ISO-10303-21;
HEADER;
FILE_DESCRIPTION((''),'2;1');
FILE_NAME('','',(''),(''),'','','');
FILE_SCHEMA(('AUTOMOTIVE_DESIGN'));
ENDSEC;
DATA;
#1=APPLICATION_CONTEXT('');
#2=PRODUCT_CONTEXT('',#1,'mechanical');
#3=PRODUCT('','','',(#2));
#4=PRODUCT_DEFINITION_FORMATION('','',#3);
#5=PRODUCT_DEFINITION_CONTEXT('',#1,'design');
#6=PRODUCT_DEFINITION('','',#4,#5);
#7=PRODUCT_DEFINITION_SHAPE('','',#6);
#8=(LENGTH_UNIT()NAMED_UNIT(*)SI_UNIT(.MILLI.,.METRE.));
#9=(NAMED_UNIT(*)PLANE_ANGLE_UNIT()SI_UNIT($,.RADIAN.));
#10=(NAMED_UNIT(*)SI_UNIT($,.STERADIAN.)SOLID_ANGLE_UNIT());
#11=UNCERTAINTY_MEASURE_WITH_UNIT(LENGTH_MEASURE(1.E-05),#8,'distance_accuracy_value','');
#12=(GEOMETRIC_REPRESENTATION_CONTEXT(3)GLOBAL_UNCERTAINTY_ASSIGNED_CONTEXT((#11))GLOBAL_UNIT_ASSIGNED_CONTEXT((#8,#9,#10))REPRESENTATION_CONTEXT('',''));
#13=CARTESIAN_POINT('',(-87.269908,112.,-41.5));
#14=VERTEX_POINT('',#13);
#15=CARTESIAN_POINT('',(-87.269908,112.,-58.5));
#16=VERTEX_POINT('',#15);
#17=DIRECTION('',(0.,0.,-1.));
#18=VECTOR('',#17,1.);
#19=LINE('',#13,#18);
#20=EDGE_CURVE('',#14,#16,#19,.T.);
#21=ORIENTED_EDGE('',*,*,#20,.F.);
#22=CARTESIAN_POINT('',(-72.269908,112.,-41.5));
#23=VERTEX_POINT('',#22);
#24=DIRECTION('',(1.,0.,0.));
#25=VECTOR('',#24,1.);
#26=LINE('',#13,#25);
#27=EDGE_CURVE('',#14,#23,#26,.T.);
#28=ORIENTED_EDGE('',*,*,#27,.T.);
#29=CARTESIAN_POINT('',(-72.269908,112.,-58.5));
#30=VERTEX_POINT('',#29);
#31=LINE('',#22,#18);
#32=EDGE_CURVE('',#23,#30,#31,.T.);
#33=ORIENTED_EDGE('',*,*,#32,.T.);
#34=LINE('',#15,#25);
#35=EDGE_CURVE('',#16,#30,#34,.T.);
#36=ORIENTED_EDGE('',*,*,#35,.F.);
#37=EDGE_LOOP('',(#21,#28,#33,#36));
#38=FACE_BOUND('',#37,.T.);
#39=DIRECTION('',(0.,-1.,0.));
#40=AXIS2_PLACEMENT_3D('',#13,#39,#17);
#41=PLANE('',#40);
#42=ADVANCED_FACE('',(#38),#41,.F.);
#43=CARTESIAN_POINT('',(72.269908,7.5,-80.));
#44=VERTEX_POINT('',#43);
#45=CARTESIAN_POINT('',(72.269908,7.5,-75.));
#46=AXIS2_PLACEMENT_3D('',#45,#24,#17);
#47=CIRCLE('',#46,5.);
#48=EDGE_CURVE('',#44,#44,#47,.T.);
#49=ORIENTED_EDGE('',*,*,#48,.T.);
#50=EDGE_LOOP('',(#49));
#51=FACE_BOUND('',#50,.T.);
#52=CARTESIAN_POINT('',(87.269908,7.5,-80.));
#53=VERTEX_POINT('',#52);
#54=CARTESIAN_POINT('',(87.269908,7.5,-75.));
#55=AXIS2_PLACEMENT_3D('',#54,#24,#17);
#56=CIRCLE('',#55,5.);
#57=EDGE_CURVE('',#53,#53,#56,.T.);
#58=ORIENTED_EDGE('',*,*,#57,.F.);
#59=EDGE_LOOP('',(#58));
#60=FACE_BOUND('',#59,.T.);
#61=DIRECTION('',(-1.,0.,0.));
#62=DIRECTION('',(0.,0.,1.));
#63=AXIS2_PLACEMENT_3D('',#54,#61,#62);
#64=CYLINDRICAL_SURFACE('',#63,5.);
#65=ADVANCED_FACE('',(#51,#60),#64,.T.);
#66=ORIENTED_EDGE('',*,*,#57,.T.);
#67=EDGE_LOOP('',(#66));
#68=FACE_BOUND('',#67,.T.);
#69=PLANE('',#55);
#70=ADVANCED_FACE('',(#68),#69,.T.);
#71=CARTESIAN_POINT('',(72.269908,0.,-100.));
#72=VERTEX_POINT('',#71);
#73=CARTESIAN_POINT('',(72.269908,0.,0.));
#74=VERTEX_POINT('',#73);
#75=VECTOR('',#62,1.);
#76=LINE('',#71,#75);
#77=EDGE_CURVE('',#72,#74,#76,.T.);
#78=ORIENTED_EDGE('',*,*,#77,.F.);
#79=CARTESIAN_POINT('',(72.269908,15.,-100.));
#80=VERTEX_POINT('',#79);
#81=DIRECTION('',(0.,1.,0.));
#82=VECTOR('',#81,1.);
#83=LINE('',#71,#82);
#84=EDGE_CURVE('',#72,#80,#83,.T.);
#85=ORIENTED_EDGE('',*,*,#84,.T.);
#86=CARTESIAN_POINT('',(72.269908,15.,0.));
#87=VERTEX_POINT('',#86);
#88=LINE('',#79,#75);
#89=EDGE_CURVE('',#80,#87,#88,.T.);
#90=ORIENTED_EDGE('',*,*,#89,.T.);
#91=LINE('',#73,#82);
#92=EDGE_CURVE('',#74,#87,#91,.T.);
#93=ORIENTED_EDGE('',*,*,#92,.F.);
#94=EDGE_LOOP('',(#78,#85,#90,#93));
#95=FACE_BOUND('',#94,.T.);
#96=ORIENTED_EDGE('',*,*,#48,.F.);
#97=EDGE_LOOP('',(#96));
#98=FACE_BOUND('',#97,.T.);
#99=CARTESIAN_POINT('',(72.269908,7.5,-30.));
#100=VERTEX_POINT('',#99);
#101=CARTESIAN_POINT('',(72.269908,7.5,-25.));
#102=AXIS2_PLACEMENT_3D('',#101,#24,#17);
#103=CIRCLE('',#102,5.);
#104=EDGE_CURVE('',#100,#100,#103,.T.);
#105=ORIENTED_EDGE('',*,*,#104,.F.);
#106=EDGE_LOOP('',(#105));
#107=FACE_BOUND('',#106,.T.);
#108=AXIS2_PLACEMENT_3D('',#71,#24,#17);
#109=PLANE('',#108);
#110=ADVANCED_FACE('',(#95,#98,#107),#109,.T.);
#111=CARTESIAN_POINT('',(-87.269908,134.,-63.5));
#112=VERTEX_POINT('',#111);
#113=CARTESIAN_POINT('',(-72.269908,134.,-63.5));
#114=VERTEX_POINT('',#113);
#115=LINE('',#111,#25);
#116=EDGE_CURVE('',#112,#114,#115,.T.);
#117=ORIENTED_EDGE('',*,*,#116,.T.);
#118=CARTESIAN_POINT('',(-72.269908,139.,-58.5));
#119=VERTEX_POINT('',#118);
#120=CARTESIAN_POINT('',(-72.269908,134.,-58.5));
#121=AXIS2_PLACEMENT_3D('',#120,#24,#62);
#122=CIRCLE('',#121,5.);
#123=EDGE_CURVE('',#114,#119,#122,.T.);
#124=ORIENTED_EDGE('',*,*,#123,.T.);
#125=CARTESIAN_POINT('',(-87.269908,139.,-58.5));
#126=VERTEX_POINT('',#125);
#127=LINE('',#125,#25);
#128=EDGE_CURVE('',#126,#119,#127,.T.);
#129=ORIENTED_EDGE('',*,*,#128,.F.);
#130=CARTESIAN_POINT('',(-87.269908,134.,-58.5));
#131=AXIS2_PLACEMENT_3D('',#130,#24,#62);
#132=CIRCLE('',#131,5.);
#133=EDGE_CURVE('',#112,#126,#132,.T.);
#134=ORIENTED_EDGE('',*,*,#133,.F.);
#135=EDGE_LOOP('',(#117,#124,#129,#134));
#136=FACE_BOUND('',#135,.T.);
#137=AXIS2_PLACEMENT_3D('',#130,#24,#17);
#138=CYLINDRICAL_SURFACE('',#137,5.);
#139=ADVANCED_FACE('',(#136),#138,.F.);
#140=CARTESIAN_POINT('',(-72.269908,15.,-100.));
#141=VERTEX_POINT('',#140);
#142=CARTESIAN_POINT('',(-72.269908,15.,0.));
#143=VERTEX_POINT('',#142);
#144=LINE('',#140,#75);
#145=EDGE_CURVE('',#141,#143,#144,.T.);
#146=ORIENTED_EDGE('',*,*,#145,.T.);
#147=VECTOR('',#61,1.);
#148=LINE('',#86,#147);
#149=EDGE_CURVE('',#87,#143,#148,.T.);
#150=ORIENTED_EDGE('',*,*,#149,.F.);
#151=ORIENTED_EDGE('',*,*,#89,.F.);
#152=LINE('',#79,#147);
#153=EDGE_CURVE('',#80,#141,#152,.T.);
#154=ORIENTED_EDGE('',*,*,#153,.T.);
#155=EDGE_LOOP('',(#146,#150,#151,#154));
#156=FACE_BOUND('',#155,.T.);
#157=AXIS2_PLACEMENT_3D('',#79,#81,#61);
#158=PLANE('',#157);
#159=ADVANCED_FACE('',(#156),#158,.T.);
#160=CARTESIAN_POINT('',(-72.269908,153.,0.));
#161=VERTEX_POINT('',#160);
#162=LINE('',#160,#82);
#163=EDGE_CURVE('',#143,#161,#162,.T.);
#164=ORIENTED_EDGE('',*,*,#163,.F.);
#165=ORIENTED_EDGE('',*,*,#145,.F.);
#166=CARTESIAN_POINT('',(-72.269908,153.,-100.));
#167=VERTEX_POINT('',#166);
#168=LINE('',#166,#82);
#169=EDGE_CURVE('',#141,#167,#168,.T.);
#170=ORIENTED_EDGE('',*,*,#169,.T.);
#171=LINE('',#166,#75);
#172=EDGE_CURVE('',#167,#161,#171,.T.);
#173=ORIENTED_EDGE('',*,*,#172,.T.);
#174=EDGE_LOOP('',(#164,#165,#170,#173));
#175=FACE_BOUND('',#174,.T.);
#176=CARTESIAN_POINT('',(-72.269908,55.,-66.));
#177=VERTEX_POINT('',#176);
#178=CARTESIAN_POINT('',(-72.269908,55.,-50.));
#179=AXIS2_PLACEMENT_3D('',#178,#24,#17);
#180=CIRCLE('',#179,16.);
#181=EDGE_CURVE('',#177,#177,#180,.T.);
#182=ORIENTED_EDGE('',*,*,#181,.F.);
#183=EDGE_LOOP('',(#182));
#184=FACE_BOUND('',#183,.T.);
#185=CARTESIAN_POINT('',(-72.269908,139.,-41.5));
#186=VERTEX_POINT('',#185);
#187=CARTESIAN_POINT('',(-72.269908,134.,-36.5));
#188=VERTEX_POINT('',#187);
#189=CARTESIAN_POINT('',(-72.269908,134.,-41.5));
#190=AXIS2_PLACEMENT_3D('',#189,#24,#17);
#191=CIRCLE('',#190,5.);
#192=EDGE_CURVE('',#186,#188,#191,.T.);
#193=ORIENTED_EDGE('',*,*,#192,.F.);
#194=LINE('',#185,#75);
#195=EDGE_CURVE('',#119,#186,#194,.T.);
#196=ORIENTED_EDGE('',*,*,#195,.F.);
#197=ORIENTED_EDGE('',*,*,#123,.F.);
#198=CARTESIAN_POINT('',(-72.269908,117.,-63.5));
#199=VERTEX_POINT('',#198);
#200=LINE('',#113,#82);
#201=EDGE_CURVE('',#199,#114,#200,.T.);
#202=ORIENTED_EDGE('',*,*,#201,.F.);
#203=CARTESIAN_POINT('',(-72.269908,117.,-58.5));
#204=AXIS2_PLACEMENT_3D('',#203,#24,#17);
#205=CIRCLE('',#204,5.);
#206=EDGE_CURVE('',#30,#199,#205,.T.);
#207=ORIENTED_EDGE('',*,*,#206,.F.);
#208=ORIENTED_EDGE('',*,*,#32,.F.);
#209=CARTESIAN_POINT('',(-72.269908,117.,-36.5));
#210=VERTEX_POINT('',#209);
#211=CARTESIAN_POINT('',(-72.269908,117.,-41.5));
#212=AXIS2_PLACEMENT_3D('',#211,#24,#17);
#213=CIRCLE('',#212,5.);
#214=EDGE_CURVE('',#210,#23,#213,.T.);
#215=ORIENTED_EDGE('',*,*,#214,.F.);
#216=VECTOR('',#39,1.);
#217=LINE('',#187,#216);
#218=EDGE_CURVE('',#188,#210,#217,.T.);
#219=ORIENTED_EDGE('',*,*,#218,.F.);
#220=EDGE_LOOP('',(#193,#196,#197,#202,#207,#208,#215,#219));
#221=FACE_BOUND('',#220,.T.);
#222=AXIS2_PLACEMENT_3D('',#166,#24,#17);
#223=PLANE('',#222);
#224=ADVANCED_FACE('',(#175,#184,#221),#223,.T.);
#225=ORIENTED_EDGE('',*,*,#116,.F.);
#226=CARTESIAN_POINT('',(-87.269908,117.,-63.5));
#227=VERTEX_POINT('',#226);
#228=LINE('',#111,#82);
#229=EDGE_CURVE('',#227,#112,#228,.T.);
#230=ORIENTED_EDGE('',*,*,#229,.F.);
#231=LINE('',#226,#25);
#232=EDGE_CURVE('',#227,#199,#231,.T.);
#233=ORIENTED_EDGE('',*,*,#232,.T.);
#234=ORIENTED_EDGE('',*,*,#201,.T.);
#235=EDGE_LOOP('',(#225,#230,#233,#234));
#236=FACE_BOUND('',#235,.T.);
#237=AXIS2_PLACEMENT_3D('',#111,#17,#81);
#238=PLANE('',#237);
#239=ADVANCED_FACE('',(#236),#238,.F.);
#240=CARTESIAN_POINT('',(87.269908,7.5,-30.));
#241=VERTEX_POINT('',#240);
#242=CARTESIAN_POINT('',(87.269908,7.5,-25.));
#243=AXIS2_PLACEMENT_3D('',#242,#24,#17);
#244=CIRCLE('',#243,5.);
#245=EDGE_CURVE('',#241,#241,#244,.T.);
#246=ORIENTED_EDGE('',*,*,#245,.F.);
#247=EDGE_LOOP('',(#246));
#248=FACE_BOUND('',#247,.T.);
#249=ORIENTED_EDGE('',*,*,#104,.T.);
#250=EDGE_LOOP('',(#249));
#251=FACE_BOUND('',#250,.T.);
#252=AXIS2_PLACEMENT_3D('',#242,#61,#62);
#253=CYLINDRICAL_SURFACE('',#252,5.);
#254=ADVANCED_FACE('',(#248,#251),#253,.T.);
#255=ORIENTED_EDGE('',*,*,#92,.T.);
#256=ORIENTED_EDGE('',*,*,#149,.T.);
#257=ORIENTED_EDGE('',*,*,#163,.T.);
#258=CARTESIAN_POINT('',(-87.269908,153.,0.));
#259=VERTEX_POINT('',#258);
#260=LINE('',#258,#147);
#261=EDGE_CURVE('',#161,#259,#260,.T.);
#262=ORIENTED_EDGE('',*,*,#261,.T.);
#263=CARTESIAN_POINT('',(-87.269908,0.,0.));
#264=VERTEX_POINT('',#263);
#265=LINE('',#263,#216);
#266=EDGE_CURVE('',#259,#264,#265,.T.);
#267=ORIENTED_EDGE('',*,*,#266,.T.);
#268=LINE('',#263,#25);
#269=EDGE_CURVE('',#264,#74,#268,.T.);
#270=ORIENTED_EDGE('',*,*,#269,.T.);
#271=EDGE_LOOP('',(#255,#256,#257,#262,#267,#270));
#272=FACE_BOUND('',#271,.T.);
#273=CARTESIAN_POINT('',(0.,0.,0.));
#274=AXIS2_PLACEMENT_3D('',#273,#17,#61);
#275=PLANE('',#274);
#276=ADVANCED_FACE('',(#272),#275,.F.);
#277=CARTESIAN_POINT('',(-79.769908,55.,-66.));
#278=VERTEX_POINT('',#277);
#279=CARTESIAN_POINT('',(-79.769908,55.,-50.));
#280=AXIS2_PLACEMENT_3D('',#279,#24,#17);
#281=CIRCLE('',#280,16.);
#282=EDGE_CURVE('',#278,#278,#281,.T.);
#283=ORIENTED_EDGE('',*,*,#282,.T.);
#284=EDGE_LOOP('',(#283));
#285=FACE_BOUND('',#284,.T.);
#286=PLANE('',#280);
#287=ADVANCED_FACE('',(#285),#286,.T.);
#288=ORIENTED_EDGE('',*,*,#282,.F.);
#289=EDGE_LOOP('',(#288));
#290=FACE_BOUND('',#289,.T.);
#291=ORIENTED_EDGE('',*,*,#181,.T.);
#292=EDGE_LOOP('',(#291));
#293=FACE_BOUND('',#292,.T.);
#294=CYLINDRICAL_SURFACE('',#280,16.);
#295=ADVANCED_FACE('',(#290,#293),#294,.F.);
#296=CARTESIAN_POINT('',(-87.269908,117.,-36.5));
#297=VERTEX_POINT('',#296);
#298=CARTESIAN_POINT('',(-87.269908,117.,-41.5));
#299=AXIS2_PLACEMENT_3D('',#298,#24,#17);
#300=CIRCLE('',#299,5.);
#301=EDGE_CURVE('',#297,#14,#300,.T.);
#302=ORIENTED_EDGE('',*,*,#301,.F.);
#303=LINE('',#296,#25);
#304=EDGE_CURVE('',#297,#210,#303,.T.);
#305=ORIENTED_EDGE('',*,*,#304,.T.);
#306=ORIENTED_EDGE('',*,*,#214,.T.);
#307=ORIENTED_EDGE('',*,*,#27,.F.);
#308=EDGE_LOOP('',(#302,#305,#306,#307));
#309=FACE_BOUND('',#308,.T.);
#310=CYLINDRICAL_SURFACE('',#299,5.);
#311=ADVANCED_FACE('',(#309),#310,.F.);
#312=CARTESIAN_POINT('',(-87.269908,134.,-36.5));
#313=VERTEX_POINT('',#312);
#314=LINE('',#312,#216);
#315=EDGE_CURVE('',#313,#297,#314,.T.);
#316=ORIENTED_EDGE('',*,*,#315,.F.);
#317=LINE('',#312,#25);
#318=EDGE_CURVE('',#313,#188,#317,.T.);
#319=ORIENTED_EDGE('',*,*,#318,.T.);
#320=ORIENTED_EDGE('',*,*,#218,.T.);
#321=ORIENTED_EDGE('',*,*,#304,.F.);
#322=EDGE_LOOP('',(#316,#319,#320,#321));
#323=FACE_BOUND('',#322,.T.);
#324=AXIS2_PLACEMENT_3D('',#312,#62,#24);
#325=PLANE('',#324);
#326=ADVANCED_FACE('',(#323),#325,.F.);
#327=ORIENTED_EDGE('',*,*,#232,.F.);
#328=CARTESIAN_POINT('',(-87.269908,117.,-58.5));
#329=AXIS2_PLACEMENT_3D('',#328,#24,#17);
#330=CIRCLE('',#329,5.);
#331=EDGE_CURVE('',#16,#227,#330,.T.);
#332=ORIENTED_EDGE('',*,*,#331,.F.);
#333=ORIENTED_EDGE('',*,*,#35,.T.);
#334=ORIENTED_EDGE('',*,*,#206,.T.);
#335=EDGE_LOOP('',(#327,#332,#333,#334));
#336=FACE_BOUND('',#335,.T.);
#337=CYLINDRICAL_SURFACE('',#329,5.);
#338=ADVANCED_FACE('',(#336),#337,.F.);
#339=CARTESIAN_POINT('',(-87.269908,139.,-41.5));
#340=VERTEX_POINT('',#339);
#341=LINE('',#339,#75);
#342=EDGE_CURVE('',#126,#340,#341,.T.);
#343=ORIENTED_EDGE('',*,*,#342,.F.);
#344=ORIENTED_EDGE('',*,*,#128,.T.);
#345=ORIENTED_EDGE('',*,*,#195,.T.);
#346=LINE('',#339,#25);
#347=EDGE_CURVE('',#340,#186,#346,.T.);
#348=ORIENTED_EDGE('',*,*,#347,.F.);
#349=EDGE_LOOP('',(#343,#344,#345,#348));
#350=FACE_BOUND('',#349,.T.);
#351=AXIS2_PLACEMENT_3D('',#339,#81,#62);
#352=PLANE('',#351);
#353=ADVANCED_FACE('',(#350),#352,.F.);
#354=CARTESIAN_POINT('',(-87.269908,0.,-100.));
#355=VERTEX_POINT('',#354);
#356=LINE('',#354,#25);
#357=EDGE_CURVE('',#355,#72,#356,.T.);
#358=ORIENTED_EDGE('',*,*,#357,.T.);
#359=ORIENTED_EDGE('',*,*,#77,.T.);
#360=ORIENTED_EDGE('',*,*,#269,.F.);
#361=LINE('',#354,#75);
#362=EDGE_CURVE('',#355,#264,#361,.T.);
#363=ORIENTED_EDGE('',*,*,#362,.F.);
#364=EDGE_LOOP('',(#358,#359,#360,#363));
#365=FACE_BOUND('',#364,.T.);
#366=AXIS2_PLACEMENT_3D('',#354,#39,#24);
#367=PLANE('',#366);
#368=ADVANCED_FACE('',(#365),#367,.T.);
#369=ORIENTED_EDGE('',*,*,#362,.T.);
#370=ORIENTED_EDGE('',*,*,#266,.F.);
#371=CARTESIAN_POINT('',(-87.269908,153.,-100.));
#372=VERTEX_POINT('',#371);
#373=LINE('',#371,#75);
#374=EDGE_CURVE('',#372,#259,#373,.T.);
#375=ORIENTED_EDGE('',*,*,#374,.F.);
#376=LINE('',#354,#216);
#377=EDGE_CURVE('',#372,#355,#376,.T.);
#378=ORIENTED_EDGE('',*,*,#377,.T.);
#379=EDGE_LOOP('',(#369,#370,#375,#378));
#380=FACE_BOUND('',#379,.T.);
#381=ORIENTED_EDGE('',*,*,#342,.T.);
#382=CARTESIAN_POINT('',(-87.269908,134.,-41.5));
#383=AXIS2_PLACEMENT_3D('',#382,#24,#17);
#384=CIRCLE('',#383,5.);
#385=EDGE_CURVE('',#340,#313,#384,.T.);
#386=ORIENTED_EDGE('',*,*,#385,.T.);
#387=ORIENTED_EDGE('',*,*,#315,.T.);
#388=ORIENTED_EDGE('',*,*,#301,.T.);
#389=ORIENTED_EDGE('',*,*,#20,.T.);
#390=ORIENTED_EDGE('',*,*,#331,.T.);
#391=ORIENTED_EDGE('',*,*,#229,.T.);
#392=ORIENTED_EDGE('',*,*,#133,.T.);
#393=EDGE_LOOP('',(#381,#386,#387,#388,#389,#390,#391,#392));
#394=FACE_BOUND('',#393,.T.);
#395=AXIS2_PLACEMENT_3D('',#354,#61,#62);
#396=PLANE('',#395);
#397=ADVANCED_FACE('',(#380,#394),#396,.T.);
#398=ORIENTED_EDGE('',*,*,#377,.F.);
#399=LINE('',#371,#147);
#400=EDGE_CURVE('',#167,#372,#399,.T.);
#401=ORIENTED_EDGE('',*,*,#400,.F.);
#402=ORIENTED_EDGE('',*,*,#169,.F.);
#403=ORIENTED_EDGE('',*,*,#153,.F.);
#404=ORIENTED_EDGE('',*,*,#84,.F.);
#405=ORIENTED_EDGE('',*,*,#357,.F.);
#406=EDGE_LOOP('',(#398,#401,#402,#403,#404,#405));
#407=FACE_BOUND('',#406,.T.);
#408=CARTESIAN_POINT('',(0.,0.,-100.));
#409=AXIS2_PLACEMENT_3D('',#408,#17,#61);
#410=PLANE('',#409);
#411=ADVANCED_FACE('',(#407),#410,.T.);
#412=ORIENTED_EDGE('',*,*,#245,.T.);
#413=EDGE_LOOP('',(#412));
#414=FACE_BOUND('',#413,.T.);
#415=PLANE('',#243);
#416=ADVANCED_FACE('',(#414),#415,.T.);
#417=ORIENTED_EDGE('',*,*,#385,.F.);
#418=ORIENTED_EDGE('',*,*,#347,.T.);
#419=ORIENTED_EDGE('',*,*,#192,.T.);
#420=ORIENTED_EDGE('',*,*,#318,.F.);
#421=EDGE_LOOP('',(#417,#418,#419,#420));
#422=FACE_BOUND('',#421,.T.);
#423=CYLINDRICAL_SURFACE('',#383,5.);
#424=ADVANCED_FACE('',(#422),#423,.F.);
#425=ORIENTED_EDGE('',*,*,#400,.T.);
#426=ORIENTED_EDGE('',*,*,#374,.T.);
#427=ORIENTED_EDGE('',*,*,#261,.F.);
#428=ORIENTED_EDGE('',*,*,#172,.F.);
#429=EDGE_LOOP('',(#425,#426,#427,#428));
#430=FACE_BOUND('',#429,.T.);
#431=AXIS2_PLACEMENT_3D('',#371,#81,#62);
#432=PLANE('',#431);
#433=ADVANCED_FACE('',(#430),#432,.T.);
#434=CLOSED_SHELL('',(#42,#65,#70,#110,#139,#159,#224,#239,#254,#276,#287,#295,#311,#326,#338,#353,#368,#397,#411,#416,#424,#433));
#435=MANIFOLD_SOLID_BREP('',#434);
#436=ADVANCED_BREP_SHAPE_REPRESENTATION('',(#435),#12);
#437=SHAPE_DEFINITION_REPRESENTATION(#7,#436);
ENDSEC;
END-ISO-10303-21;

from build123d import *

# Parameters (mm, degrees)
Y_KSEKLIK_EKSTR_ZYON1_DEPTH = 100
IZIM4_R                     = 5
Y_KSEKLIK_EKSTR_ZYON2_DEPTH = 15
IZIM2_R                     = 16
KES_EKSTR_ZYON7_DEPTH       = 7.5
KES_EKSTR_ZYON8_DEPTH       = 16


with BuildPart() as part:
    # Çizim1 → Yükseklik-Ekstrüzyon1 (new body)
    with BuildSketch(Plane.XY):
        Polygon((-87.26990817, 0), (72.26990817, 0), (72.26990817, 15), (-72.26990817, 15), (-72.26990817, 153), (-87.26990817, 153), align=None)
    extrude(amount=-Y_KSEKLIK_EKSTR_ZYON1_DEPTH)

    # Çizim4 → Yükseklik-Ekstrüzyon2 (add)
    with BuildSketch(Plane(origin=(72.26990817, 0, 0), x_dir=(0, 0, -1), z_dir=(1, 0, 0))):
        with Locations((25, 7.5)):
            Circle(IZIM4_R)
        with Locations((75, 7.5)):
            Circle(IZIM4_R)
    extrude(amount=Y_KSEKLIK_EKSTR_ZYON2_DEPTH)

    # Çizim2 → Kes-Ekstrüzyon7 (cut)
    with BuildSketch(Plane(origin=(-72.26990817, 0, 0), x_dir=(0, 0, -1), z_dir=(1, 0, 0))):
        with Locations((50, 55)):
            Circle(IZIM2_R)
    extrude(amount=-KES_EKSTR_ZYON7_DEPTH, mode=Mode.SUBTRACT)

    # Çizim3 → Kes-Ekstrüzyon8 (cut, through all)
    with BuildSketch(Plane(origin=(-72.26990817, 0, 0), x_dir=(0, 0, -1), z_dir=(1, 0, 0))):
        with BuildLine():
            Line((41.5, 139), (58.5, 139))
            ThreePointArc((58.5, 139), (62.035533906, 137.535533906), (63.5, 134))
            Line((63.5, 134), (63.5, 117))
            ThreePointArc((63.5, 117), (62.035533906, 113.464466094), (58.5, 112))
            Line((58.5, 112), (41.5, 112))
            ThreePointArc((41.5, 112), (37.964466094, 113.464466094), (36.5, 117))
            Line((36.5, 117), (36.5, 134))
            ThreePointArc((36.5, 134), (37.964466094, 137.535533906), (41.5, 139))
        make_face()
    extrude(amount=-KES_EKSTR_ZYON8_DEPTH, mode=Mode.SUBTRACT)


solid = part.part
